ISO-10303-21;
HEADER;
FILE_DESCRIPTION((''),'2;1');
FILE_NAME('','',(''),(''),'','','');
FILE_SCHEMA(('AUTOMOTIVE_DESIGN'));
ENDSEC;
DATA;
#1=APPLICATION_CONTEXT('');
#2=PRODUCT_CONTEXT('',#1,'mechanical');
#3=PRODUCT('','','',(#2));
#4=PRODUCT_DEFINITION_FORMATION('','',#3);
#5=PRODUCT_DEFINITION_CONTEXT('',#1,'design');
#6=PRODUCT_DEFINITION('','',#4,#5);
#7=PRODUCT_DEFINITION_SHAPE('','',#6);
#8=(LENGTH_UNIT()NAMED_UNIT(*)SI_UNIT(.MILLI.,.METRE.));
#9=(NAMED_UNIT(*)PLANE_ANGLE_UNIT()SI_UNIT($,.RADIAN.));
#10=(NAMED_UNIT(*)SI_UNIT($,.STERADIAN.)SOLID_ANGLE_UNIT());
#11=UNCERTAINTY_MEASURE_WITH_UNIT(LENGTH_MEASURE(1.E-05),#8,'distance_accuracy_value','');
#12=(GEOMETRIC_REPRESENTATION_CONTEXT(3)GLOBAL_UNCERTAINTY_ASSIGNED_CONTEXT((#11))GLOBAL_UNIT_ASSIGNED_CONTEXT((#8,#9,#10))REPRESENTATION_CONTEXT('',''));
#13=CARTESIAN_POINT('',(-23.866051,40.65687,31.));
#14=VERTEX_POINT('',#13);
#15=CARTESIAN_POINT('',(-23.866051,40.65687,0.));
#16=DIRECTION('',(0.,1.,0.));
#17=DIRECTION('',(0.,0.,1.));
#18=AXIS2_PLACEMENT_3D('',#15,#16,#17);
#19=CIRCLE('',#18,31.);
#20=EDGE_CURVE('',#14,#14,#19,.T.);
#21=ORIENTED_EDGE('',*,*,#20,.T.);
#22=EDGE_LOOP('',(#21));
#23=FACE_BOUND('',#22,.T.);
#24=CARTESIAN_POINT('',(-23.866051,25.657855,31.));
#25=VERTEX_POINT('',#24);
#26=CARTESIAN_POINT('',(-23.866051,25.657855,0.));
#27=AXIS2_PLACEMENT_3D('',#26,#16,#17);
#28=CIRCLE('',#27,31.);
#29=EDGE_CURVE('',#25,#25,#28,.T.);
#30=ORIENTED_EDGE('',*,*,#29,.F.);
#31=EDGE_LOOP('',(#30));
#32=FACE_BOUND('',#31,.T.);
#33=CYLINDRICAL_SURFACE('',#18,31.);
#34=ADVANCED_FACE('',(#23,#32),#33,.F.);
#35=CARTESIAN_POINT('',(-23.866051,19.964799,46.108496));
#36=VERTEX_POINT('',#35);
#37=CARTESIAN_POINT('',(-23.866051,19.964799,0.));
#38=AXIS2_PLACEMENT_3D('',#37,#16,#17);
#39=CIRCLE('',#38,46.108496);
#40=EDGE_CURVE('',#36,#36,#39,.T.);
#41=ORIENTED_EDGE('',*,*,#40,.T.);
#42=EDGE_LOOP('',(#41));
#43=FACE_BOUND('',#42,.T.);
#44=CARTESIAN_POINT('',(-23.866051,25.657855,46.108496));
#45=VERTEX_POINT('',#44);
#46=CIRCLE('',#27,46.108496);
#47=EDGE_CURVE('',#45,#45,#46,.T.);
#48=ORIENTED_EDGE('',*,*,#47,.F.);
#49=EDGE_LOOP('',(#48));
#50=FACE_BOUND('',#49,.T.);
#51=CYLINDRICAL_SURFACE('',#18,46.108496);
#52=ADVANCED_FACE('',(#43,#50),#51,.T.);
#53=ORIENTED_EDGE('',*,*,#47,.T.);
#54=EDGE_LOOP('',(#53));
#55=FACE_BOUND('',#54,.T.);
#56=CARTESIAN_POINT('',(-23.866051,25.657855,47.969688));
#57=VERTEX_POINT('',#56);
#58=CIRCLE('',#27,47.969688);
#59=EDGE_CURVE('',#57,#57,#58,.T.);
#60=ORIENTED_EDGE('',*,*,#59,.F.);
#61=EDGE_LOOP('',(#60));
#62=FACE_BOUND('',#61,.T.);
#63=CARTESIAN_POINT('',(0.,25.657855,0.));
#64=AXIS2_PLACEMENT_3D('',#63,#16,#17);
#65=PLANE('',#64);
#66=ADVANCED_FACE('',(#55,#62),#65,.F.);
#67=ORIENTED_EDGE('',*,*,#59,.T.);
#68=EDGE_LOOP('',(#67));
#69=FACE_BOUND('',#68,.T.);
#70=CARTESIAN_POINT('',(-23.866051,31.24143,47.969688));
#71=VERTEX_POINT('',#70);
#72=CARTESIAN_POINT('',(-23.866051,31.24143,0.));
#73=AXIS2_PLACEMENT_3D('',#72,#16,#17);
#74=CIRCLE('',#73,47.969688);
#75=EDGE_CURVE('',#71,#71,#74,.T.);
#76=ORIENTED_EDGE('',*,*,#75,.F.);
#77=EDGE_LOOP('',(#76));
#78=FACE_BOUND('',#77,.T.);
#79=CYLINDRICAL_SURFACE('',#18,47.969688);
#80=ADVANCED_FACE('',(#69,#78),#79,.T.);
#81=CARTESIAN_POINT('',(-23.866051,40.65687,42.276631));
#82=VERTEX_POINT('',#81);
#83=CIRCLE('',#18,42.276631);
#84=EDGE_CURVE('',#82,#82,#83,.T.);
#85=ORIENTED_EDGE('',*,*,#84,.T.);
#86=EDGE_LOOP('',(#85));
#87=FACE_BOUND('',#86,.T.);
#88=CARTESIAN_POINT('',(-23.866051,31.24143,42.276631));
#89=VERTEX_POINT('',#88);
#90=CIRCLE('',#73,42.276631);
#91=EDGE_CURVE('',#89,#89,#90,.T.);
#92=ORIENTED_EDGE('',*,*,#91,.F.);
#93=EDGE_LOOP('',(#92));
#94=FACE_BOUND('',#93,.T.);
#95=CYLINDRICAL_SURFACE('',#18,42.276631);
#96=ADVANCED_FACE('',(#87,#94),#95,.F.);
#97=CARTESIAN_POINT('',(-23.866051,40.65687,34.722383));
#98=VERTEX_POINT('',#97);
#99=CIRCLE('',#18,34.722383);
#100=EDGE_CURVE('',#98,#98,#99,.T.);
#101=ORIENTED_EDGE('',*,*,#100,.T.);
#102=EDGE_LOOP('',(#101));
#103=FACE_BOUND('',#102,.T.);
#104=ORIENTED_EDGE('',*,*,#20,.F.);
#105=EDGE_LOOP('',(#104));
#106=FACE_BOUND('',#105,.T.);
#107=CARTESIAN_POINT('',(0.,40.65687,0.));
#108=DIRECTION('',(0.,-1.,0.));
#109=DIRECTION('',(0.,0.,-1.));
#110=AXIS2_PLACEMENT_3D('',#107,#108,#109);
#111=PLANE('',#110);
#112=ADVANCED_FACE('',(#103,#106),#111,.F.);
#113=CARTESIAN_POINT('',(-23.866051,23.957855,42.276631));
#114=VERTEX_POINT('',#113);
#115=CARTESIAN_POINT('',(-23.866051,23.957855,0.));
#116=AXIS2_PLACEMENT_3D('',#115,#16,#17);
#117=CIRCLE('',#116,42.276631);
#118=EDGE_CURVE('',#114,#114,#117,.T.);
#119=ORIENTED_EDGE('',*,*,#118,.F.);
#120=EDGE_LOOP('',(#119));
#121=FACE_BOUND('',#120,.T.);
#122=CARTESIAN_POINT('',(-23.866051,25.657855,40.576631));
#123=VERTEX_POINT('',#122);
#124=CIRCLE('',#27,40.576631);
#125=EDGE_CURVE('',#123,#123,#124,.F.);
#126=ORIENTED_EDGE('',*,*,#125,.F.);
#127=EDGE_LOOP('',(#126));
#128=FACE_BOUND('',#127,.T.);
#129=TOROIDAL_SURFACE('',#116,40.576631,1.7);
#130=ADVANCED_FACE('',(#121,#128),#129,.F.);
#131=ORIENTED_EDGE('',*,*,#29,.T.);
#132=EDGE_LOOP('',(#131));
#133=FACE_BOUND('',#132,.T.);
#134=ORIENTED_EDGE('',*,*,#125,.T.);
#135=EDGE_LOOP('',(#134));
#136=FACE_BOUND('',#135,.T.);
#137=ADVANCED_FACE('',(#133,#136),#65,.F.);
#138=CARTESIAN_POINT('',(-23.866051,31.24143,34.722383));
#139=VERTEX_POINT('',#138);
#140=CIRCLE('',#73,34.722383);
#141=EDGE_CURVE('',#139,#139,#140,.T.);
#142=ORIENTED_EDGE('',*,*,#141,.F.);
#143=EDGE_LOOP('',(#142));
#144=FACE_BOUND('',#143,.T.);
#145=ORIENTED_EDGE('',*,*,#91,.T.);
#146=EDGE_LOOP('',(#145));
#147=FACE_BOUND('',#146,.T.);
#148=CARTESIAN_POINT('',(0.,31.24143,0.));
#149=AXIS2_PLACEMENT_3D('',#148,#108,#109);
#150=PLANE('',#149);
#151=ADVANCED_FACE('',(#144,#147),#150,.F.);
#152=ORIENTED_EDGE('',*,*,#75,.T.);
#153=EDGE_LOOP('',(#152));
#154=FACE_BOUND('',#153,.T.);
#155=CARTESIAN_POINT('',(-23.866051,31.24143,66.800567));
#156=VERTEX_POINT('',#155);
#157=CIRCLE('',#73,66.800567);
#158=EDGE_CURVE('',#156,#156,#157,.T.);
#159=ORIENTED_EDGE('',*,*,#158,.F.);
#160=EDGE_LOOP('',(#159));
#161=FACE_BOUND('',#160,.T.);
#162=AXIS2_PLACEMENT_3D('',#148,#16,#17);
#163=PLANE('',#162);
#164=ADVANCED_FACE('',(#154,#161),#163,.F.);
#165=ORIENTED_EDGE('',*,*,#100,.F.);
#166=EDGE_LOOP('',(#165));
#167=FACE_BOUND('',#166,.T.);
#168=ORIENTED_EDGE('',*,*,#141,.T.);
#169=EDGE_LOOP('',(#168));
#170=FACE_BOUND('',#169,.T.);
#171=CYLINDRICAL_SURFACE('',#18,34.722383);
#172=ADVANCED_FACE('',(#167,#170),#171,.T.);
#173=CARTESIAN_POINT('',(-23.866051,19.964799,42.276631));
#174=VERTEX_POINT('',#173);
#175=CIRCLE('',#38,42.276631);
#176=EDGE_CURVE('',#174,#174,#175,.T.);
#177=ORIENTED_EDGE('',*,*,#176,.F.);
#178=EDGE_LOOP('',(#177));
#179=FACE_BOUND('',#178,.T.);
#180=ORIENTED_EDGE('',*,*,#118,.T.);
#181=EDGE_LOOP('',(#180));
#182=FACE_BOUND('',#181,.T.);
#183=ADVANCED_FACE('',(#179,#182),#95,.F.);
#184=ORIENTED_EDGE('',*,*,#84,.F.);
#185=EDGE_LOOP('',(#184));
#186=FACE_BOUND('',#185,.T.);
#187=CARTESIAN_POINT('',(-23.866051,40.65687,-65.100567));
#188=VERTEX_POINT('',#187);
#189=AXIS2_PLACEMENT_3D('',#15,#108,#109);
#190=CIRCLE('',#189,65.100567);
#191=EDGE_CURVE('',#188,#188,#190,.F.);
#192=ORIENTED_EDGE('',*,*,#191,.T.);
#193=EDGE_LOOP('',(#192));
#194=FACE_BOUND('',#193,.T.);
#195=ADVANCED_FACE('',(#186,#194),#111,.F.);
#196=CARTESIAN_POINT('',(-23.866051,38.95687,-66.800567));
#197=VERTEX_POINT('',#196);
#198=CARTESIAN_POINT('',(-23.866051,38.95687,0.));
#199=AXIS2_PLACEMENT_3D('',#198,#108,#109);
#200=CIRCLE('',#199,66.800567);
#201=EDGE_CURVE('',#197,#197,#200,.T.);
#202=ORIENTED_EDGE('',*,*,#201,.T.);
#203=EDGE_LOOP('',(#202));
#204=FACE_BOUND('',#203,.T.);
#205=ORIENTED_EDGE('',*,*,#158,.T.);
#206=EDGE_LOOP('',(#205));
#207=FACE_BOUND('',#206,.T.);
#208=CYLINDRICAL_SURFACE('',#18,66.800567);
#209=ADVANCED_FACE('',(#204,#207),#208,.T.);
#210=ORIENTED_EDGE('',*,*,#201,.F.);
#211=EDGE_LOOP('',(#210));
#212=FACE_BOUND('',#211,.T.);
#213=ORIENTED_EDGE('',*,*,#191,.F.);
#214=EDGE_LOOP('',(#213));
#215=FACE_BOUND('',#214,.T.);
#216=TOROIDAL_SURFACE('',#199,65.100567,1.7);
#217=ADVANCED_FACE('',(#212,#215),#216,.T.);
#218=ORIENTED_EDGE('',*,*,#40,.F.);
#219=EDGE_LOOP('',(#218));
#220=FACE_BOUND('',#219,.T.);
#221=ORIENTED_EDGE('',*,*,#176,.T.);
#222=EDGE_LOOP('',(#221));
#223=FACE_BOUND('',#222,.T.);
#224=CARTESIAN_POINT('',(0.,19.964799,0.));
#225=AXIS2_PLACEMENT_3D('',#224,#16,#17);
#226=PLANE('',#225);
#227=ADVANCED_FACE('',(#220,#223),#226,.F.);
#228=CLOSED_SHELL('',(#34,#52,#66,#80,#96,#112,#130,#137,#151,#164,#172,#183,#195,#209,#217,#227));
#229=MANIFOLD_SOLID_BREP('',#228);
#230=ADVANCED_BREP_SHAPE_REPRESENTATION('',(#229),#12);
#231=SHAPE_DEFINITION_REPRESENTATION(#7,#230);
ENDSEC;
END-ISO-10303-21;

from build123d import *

# Parameters (mm, degrees)
FILLET3_R = 1.7
FILLET4_R = 1.7


with BuildPart() as part:
    # Sketch1 → Revolve2 (revolve)
    with BuildSketch(Plane.XY):
        Polygon((-71.835738672, 25.657855278), (-71.835738672, 31.241430002), (-90.666618133, 31.241430002), (-90.666618133, 40.656869732), (-66.142682091, 40.656869732), (-66.142682091, 31.241430002), (-58.588433936, 31.241430002), (-58.588433936, 40.656869732), (-54.866050787, 40.656869732), (-54.866050787, 25.657855278), (-66.142682091, 25.657855278), (-66.142682091, 19.964798697), (-69.974547098, 19.964798697), (-69.974547098, 25.657855278), align=None)
    revolve(axis=Axis((-23.866050787, 40.656869732, 0), (0, -1, 0)))

    # Fillet3
    fillet3_edges = [part.edges().sort_by_distance(p)[0] for p in [
        (42.93451656, 40.656869732, 0),
    ]]
    fillet(fillet3_edges, radius=FILLET3_R)

    # Fillet4
    fillet4_edges = [part.edges().sort_by_distance(p)[0] for p in [
        (18.410580518, 25.657855278, 0),
    ]]
    fillet(fillet4_edges, radius=FILLET4_R)


solid = part.part
